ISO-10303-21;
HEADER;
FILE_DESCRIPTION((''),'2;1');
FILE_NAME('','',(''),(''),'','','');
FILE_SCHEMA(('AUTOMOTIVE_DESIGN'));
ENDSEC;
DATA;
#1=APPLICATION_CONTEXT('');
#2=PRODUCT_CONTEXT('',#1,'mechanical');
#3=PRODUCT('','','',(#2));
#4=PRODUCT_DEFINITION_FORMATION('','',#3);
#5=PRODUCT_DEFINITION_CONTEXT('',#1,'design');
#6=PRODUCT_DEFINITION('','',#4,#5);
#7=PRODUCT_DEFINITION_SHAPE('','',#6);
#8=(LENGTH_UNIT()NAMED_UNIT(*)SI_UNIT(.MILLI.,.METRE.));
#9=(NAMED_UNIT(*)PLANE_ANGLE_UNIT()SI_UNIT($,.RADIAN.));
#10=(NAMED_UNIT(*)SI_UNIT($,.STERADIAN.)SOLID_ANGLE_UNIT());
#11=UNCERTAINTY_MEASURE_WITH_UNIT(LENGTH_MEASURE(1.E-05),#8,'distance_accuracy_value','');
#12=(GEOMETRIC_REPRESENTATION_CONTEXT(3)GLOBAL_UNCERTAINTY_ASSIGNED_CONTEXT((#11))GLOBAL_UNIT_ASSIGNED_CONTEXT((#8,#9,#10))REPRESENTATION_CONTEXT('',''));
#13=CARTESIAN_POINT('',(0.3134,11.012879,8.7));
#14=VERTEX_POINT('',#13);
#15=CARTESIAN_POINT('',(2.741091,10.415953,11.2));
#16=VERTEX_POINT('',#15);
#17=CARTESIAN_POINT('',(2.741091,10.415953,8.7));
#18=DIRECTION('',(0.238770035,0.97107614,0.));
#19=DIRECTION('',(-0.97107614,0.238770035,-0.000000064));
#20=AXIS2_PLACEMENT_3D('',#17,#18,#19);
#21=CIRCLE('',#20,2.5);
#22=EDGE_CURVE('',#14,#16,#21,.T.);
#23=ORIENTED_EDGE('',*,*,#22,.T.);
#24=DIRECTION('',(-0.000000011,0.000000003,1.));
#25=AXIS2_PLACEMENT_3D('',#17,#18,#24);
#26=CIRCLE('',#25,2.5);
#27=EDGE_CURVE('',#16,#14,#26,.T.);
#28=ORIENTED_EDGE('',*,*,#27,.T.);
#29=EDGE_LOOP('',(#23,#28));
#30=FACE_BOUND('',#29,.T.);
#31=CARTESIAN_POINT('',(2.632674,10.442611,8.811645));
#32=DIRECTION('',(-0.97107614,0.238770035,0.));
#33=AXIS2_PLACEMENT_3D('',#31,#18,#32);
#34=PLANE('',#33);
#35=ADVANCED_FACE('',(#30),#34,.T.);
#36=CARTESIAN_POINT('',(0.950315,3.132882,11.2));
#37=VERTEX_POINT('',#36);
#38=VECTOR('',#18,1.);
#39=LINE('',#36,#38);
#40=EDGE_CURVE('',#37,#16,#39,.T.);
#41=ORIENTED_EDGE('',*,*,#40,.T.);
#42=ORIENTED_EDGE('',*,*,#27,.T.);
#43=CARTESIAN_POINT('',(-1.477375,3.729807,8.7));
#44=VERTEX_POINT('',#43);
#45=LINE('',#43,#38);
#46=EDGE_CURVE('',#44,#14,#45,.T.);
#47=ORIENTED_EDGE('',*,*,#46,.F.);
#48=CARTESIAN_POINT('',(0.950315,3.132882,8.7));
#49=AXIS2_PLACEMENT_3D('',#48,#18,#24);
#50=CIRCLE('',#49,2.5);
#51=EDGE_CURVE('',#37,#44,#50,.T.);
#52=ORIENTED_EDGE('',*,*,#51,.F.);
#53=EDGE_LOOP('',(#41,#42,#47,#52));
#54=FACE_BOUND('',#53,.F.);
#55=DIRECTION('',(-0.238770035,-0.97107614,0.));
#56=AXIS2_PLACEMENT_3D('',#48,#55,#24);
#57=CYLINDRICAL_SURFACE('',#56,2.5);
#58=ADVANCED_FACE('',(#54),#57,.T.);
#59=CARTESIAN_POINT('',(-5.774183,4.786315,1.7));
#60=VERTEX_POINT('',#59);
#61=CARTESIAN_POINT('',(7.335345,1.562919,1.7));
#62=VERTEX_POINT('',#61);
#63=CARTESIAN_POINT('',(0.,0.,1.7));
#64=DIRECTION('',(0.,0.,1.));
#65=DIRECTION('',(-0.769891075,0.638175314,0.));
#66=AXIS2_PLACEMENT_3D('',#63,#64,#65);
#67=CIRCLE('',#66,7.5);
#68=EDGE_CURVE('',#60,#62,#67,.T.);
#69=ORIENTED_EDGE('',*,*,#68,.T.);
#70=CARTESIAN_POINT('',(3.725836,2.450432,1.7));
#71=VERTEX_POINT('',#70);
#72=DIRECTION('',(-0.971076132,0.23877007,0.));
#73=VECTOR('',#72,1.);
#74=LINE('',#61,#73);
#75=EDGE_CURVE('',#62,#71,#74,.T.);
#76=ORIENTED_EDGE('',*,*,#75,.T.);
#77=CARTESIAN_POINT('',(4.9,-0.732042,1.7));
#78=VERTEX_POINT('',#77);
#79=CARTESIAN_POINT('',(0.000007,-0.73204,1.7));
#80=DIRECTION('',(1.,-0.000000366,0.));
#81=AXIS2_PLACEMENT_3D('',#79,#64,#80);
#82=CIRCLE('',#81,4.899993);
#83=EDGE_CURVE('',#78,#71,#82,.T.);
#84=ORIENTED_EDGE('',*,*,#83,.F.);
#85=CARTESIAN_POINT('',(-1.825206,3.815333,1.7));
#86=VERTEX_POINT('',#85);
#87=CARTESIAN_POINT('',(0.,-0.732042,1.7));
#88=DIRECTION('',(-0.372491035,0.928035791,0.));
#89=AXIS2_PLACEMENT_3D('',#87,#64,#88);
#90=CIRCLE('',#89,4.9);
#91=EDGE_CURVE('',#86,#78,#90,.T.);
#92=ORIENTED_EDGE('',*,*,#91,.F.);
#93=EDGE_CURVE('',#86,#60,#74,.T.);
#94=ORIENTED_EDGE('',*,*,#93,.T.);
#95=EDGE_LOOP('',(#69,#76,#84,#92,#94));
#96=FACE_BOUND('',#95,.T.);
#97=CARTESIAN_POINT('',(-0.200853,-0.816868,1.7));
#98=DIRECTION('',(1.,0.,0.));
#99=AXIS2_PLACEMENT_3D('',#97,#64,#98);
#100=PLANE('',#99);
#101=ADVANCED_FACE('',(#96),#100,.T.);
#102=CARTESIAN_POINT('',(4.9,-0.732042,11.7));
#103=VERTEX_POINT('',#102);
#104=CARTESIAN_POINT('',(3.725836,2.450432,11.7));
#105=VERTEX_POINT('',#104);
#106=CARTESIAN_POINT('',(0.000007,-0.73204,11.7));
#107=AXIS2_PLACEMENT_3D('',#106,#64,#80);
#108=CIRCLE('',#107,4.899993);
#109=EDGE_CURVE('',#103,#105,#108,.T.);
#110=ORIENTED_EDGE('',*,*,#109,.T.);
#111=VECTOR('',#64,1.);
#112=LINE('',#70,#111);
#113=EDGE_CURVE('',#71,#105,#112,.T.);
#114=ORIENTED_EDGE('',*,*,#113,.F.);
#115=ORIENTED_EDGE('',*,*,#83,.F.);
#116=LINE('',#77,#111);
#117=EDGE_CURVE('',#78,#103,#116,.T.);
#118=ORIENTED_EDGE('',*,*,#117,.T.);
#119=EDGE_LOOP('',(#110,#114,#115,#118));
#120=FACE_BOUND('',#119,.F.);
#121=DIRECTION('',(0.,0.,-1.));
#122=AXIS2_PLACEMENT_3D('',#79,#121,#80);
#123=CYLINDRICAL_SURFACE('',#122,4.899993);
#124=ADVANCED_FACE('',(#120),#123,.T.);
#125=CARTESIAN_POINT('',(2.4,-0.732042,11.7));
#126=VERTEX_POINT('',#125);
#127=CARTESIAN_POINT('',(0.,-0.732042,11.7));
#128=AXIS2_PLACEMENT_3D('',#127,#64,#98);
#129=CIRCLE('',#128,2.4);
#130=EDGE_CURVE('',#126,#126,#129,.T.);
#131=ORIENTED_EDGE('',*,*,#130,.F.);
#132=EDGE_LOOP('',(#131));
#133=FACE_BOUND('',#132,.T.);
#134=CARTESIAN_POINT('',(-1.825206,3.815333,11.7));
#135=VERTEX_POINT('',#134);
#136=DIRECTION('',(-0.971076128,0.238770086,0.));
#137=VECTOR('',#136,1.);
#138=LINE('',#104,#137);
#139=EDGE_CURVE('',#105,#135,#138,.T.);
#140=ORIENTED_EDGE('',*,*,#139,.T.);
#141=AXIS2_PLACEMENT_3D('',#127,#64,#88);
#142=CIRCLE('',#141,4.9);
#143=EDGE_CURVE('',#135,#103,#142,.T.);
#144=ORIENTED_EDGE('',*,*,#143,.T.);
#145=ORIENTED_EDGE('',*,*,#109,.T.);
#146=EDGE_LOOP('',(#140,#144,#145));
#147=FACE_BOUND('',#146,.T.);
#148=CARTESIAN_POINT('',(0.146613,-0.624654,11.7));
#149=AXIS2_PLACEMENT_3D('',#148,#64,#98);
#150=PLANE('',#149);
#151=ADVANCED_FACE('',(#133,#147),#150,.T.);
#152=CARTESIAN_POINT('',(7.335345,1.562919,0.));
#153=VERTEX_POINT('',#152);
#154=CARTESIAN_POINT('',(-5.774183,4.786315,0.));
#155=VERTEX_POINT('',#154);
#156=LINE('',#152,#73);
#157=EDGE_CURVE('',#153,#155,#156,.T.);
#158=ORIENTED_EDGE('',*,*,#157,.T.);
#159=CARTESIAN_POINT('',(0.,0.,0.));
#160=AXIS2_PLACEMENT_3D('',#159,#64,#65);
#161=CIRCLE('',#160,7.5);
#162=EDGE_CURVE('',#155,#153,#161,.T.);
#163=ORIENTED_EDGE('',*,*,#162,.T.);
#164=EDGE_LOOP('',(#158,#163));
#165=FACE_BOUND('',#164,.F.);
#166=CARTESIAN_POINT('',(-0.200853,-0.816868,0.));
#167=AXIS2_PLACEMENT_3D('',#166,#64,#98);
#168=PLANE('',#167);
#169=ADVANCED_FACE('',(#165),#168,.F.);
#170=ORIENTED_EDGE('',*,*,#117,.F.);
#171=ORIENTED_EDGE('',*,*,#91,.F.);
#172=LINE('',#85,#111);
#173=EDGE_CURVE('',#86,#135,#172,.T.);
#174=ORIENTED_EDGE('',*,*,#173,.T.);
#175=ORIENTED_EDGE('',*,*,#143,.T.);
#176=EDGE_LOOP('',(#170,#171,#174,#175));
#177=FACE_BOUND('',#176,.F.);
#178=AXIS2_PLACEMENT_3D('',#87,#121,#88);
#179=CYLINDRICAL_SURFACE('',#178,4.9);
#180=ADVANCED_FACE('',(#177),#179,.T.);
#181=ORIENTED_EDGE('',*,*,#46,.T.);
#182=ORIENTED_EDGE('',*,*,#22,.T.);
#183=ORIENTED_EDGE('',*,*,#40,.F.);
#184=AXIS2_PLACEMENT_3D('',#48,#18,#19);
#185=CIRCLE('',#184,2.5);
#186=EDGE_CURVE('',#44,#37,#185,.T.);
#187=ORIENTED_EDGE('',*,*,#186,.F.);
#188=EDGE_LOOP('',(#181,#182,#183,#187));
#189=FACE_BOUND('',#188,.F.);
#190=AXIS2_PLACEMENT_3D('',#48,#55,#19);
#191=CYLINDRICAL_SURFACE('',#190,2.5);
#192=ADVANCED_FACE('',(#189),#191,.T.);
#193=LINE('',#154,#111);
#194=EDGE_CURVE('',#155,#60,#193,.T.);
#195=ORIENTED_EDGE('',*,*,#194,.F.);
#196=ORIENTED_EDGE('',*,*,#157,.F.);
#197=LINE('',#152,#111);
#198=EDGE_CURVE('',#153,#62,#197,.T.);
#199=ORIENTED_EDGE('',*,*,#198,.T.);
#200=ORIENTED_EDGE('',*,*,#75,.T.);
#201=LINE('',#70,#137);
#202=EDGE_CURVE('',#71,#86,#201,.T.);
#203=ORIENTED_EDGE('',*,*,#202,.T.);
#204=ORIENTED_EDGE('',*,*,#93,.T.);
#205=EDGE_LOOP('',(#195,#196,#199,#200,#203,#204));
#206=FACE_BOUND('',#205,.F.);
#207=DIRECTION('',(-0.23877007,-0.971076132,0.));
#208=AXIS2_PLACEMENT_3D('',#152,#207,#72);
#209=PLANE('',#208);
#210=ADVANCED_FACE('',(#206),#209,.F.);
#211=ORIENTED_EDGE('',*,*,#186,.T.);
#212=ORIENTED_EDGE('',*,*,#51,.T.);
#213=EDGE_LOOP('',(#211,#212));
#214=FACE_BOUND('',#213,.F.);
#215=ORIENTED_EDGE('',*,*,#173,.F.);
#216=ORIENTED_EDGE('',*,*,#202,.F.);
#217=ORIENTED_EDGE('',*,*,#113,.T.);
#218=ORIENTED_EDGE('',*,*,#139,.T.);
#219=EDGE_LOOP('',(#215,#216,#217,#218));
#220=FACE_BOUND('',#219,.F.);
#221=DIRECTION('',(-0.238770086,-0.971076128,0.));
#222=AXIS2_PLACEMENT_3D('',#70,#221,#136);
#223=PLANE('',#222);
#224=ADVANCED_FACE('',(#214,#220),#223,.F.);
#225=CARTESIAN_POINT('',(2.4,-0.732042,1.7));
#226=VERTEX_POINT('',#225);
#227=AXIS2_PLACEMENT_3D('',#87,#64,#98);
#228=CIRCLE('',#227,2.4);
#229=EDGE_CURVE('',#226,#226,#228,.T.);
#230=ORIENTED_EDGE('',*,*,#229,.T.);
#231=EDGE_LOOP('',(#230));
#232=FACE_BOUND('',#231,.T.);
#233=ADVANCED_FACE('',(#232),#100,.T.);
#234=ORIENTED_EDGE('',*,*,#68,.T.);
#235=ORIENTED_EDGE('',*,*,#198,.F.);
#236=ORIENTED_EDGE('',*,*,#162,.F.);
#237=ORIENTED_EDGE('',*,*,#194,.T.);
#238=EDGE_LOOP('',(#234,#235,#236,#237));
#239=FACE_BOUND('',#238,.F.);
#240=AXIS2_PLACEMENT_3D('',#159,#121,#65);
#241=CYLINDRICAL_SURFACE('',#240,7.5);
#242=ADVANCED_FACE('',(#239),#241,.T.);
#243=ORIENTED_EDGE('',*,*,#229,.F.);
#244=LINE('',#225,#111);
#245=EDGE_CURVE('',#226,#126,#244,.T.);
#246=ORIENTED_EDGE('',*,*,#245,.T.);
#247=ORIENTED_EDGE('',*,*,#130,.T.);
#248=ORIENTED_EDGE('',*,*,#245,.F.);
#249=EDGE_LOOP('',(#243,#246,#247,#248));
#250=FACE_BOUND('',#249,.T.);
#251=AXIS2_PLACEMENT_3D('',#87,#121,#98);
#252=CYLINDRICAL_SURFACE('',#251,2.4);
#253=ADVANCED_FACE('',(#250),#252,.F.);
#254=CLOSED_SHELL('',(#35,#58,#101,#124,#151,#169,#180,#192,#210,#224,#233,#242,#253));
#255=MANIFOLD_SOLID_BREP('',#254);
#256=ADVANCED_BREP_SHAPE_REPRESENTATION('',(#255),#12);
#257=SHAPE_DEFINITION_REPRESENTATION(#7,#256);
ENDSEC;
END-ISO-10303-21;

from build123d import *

# Parameters (mm, degrees)
F1_DEPTH = 1.7
F2_R     = 2.4
F3_DEPTH = 10
F5_DEPTH = 7.5


with BuildPart() as f1:
    # F0 (on Top) → F1 (new body)
    with BuildSketch(Plane.XY):
        with BuildLine():
            Line((7.335345, 1.562919), (-5.774183, 4.786315))
            ThreePointArc((-5.774183, 4.786315), (-1.790775, -7.283071), (7.335345, 1.562919))
        make_face()
    extrude(amount=F1_DEPTH)

    # F2 (on face) → F3 (join)
    with BuildSketch(Plane.XY.offset(1.7)):
        with BuildLine():
            ThreePointArc((-1.825206, 3.815333), (-2.744676, -4.791199), (4.9, -0.732042))
            ThreePointArc((4.9, -0.732042), (4.597097, 0.964042), (3.725836, 2.450432))
            Line((3.725836, 2.450432), (-1.825206, 3.815333))
        make_face()
        with Locations((0, -0.732042)):
            Circle(F2_R, mode=Mode.SUBTRACT)
    extrude(amount=F3_DEPTH)

    # F4 (on face) → F5 (join)
    with BuildSketch(Plane(origin=(0.780581, 3.174617, 0), x_dir=(-0.971076, 0.23877, 0), z_dir=(0.23877, 0.971076, 0))):
        with BuildLine():
            ThreePointArc((2.32521, 8.7), (1.592977, 10.467767), (-0.17479, 11.2))
            ThreePointArc((-0.17479, 11.2), (-1.942557, 6.932233), (2.32521, 8.7))
        make_face()
    extrude(amount=F5_DEPTH)


solid = f1.part
